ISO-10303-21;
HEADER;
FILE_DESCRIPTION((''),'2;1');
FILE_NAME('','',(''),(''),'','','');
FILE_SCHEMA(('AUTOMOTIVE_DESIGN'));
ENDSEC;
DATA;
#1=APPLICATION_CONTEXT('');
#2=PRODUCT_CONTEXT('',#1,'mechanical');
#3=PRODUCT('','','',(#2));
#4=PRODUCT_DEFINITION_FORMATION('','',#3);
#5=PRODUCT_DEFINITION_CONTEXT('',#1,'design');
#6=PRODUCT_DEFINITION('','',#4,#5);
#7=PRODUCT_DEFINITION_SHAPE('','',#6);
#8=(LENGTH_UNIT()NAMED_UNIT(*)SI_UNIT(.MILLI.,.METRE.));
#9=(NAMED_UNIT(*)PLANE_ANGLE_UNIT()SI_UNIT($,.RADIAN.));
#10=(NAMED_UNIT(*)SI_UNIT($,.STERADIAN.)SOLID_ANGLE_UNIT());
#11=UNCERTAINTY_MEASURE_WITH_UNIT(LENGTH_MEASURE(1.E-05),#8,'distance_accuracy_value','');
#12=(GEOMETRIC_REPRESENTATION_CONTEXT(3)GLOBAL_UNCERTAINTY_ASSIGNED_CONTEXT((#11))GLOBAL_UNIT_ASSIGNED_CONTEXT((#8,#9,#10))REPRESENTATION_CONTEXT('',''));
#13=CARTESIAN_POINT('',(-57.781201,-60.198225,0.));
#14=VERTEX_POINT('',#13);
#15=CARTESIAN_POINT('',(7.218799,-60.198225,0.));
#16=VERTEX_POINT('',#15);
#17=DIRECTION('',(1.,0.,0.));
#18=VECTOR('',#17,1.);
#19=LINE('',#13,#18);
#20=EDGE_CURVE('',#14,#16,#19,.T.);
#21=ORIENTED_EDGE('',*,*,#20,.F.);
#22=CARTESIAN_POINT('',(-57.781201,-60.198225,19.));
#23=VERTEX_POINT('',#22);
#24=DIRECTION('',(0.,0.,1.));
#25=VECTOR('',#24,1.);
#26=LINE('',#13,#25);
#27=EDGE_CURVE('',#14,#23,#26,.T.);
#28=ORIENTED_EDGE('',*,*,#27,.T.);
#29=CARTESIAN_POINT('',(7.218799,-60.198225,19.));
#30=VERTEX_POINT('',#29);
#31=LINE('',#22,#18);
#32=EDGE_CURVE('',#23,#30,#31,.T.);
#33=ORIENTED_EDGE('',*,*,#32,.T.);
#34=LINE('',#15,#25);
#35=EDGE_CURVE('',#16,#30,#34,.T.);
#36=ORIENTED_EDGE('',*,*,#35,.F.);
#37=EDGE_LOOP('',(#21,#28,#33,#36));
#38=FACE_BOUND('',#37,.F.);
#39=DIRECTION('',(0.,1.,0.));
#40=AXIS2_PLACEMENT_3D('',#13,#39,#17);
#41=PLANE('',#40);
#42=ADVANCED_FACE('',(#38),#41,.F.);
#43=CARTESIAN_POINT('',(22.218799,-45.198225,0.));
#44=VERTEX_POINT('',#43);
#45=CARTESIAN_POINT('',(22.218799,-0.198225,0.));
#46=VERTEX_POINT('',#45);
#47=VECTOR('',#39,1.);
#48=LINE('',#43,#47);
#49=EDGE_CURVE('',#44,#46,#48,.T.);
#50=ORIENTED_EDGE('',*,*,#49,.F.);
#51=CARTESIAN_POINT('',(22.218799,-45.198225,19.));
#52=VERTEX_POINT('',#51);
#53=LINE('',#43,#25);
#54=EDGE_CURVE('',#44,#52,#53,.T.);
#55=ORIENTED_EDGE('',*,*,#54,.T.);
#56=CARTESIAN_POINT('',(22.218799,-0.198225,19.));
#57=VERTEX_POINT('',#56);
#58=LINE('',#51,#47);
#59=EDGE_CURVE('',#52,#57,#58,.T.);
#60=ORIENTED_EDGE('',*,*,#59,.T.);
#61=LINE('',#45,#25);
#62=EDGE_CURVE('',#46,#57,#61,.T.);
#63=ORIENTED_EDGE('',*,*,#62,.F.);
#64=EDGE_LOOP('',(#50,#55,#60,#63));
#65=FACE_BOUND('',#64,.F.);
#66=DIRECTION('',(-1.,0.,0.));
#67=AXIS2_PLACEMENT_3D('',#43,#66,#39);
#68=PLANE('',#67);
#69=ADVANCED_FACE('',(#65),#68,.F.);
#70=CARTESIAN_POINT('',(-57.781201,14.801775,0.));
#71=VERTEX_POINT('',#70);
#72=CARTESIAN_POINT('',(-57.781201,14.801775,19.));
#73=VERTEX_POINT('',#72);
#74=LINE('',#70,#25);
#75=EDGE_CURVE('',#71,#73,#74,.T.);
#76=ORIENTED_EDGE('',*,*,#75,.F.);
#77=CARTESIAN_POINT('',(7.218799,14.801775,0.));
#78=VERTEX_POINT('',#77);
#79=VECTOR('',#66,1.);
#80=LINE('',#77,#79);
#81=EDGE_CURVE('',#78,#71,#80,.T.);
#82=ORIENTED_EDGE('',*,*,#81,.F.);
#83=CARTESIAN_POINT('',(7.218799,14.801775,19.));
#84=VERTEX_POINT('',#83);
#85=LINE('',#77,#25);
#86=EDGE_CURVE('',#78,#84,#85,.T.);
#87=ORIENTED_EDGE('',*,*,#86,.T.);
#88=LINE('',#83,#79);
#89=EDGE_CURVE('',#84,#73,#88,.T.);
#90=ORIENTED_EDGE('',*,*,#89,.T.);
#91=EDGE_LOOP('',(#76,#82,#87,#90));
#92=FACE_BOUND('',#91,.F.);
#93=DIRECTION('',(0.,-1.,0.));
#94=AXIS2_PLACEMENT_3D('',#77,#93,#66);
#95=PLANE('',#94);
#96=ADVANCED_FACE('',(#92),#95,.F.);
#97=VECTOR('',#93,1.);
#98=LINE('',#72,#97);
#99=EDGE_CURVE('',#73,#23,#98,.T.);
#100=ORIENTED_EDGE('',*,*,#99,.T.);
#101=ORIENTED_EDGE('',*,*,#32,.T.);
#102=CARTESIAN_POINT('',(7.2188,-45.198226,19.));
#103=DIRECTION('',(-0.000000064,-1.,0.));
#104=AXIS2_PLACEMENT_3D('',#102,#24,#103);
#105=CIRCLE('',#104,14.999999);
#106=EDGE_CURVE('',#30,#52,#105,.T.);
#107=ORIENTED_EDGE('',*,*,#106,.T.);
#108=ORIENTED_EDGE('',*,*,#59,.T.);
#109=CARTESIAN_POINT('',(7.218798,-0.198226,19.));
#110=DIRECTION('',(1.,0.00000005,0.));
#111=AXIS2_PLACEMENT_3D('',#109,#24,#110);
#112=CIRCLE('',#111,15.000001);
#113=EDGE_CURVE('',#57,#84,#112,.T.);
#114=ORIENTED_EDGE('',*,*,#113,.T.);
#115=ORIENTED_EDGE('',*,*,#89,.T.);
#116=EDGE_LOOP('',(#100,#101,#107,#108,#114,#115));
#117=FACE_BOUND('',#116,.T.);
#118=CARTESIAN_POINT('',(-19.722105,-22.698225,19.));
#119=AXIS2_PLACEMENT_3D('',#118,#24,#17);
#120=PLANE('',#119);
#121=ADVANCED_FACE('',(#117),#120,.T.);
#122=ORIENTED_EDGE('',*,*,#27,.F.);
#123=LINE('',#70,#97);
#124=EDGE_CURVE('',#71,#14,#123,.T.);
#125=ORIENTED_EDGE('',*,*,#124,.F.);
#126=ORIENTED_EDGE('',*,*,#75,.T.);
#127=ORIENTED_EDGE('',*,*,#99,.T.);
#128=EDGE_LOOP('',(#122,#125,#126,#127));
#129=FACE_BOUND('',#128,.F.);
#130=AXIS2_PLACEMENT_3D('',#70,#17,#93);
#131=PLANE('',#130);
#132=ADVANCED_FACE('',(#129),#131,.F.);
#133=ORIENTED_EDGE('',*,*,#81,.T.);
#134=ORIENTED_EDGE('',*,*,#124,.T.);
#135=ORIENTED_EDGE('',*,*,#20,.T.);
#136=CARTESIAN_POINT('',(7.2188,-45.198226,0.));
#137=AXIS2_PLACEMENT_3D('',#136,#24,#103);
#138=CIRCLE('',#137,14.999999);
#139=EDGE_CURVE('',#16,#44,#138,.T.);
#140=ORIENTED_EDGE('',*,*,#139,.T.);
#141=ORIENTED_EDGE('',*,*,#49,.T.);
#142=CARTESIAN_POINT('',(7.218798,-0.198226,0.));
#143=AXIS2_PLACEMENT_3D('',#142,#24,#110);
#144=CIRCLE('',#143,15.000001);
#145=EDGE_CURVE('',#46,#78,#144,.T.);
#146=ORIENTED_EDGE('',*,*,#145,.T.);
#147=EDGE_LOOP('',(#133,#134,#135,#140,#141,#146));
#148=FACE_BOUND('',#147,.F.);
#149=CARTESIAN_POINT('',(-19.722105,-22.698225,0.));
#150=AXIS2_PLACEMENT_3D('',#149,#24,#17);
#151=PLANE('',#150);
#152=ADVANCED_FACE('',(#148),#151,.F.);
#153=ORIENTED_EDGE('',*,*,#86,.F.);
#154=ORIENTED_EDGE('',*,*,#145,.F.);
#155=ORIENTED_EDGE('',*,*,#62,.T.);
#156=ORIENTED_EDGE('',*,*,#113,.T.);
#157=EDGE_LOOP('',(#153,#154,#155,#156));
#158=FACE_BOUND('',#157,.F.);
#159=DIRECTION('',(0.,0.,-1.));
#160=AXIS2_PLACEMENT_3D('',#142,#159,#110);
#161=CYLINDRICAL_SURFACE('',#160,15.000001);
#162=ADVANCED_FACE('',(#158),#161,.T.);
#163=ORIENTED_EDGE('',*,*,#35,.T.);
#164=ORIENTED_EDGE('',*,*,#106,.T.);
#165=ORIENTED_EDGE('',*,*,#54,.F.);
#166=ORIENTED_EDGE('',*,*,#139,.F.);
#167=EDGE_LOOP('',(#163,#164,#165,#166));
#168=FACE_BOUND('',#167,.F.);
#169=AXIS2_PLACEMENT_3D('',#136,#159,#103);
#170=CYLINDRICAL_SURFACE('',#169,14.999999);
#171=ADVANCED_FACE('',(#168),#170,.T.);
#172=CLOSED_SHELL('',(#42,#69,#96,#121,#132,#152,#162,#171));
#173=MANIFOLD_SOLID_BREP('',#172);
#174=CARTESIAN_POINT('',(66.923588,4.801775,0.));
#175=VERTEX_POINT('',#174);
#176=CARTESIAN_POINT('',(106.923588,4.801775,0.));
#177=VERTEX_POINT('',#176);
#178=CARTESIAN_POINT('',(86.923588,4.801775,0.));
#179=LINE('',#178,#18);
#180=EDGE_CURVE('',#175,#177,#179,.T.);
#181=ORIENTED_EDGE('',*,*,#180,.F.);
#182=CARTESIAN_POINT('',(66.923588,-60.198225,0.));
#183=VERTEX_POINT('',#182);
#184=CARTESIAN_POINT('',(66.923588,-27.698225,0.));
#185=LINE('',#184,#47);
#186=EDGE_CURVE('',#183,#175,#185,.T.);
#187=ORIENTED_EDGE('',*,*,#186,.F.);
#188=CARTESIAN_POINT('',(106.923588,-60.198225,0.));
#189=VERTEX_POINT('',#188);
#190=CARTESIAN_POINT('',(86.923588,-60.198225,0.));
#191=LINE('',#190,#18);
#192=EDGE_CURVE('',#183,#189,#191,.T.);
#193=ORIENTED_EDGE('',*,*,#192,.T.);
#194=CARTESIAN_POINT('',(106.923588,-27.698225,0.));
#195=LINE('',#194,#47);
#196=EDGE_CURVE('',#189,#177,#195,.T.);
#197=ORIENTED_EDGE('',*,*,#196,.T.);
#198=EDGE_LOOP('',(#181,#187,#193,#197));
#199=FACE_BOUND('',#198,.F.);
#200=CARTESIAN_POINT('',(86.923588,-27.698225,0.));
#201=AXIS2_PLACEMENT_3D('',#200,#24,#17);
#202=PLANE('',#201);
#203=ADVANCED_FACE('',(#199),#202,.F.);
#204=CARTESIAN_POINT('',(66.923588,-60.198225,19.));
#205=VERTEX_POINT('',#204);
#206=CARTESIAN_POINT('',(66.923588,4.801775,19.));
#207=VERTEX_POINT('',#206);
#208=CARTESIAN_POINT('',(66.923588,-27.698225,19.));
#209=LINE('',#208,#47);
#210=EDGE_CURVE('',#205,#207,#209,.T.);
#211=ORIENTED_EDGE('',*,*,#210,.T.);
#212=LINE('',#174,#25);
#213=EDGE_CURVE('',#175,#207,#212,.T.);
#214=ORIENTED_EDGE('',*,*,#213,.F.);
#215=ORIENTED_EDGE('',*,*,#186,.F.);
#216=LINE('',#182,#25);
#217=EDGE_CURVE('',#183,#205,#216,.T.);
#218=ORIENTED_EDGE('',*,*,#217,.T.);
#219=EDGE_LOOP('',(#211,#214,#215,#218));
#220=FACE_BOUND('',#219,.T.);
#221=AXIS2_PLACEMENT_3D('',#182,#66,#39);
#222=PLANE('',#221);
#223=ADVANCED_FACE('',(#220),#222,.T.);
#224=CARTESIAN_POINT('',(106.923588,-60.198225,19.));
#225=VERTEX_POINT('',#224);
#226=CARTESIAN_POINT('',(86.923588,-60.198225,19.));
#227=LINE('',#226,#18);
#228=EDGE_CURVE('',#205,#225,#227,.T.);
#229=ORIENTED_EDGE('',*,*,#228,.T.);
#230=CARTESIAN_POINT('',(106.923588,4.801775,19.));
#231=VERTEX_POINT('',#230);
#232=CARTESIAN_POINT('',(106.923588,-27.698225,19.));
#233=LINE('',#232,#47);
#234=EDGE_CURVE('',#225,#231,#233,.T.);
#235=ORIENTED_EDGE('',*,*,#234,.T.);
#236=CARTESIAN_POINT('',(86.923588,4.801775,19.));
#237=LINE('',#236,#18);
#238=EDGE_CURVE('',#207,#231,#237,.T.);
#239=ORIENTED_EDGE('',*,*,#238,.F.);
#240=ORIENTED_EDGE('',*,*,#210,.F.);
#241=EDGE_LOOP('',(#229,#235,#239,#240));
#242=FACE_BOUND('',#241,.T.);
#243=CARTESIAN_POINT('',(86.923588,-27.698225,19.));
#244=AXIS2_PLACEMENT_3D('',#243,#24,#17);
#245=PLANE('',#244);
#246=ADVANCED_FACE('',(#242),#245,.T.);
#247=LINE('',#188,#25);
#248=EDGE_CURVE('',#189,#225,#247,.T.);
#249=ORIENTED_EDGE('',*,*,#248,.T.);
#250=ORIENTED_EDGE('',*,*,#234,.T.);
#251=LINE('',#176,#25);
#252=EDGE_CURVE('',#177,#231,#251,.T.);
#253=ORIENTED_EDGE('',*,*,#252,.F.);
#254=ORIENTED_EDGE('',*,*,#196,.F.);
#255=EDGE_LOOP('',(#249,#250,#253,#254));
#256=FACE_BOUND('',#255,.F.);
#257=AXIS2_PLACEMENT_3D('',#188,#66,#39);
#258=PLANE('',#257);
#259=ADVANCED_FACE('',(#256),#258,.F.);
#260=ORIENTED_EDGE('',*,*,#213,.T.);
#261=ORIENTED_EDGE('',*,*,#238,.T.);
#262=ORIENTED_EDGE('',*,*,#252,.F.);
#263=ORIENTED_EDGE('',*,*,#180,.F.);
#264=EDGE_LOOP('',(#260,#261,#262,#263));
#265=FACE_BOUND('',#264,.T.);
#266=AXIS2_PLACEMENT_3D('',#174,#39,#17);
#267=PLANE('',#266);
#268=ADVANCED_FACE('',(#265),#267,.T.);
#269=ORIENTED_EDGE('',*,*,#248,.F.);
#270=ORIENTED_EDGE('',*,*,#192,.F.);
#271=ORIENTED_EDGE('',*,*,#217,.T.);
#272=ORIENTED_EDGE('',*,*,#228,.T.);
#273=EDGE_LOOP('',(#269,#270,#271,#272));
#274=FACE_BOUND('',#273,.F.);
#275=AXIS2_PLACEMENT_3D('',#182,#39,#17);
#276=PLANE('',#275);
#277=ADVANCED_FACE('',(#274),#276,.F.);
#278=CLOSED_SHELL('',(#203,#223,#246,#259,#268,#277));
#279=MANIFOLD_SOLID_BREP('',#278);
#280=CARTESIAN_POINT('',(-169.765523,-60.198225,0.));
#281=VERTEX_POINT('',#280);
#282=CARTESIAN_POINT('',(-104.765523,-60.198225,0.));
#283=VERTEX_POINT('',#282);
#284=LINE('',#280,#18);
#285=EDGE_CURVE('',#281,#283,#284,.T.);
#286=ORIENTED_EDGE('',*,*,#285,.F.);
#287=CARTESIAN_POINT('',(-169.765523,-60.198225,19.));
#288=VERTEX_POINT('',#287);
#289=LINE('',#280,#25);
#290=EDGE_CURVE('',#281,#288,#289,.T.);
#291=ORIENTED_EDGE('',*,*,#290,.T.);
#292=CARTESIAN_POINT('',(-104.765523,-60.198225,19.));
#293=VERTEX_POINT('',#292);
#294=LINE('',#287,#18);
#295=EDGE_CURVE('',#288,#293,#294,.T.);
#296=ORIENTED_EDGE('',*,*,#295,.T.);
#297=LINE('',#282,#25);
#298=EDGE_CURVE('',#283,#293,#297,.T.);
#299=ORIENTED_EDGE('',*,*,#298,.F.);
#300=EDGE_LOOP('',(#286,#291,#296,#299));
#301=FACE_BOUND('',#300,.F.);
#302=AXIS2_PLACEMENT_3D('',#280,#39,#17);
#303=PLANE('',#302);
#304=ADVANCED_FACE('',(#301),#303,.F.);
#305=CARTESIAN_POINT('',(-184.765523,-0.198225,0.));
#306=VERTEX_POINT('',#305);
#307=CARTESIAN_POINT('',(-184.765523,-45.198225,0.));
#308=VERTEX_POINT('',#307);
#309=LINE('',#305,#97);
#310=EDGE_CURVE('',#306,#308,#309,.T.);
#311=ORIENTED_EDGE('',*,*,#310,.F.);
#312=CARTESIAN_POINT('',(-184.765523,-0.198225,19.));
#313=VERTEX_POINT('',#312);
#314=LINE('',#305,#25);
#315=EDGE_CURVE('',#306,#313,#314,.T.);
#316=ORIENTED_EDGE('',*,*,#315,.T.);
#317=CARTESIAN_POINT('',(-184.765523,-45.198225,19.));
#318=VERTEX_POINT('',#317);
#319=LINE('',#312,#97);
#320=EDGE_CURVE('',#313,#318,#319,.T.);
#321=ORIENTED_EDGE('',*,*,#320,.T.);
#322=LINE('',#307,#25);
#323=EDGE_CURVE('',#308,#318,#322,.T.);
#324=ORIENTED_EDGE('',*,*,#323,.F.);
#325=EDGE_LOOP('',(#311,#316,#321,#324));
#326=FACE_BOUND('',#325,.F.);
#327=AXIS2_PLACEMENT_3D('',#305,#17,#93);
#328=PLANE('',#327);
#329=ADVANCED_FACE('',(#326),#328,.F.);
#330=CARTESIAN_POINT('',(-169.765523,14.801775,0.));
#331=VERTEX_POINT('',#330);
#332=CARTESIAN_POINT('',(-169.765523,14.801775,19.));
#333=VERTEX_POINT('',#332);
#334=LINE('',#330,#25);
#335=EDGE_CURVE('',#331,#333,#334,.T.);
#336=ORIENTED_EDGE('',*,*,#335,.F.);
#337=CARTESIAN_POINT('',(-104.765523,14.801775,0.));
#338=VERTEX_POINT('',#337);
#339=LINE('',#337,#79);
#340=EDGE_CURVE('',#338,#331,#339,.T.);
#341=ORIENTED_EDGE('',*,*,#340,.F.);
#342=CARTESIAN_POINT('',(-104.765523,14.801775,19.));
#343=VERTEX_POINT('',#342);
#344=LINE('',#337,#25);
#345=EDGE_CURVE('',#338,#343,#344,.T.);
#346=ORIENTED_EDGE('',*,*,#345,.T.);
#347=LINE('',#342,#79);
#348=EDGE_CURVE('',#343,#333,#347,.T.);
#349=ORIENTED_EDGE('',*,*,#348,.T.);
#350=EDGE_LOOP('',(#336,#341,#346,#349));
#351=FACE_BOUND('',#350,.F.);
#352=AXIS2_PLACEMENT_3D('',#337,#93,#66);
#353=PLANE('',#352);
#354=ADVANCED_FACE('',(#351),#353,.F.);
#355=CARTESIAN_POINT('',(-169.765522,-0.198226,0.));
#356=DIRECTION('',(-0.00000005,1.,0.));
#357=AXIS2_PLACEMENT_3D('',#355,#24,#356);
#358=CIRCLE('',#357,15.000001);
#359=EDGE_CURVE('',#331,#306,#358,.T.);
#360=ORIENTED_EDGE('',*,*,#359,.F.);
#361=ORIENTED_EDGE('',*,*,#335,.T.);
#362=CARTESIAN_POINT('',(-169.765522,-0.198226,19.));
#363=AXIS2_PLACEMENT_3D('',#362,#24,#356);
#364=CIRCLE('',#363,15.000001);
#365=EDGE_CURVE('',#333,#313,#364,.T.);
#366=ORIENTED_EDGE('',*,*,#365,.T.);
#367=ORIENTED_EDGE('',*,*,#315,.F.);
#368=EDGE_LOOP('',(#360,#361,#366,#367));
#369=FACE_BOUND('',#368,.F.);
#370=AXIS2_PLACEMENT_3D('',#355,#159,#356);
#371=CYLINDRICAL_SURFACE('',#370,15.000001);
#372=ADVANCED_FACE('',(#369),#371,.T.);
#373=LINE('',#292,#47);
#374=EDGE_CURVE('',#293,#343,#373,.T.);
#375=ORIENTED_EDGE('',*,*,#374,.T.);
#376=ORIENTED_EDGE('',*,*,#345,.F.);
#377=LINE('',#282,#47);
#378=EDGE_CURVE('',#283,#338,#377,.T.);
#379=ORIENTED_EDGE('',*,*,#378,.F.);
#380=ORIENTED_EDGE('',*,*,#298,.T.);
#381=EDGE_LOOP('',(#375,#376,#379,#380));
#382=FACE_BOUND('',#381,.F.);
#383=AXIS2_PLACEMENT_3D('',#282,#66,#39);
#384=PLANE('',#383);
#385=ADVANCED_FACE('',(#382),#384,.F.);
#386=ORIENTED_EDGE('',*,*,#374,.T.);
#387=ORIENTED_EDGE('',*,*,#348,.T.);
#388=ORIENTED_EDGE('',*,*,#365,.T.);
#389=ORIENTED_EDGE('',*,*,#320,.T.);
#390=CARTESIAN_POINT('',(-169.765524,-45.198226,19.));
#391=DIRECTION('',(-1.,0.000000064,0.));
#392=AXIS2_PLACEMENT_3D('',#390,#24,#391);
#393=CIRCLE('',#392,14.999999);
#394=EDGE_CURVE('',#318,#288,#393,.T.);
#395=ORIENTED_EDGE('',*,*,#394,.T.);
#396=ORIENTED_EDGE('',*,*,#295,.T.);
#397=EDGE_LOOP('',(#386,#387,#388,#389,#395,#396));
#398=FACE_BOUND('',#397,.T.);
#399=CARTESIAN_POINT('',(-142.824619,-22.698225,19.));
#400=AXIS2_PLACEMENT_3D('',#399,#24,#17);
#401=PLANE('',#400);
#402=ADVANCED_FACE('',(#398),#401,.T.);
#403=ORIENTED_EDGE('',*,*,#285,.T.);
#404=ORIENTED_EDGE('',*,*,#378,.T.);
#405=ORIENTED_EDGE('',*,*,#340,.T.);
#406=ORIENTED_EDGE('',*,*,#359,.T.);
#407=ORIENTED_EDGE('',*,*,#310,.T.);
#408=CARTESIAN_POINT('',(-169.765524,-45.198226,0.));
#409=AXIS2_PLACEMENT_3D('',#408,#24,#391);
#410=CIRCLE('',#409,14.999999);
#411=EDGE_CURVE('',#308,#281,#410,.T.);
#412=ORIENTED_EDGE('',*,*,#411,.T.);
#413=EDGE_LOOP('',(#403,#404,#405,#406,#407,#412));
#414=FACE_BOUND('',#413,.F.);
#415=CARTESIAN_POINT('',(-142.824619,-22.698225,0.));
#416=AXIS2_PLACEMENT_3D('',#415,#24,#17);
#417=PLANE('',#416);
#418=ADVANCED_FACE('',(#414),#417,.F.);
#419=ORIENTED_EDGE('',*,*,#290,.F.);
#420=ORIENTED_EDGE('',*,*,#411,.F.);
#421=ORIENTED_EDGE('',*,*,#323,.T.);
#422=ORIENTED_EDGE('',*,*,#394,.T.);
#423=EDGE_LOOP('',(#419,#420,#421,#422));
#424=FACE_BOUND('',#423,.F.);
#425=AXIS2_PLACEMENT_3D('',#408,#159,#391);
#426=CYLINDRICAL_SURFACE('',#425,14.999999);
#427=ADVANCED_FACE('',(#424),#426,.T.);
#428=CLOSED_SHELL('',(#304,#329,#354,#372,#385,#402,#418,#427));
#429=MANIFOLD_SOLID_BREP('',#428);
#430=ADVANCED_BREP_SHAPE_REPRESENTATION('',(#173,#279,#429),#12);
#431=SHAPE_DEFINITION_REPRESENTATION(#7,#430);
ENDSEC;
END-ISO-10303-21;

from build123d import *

# Parameters (mm, degrees)
F0_W     = 40
F0_H     = 65
F1_DEPTH = 19


with BuildPart() as f1:
    # F0 (on Top) → F1 (new body)
    with BuildSketch(Plane.XY):
        with BuildLine():
            Line((-104.765523, 14.801775), (-169.765523, 14.801775))
            ThreePointArc((-169.765523, 14.801775), (-180.372125, 10.408376), (-184.765523, -0.198225))
            Line((-184.765523, -0.198225), (-184.765523, -45.198225))
            ThreePointArc((-184.765523, -45.198225), (-180.372125, -55.804827), (-169.765523, -60.198225))
            Line((-169.765523, -60.198225), (-104.765523, -60.198225))
            Line((-104.765523, -60.198225), (-104.765523, 14.801775))
        make_face()
        with BuildLine():
            Line((7.218799, 14.801775), (-57.781201, 14.801775))
            Line((-57.781201, 14.801775), (-57.781201, -60.198225))
            Line((-57.781201, -60.198225), (7.218799, -60.198225))
            ThreePointArc((7.218799, -60.198225), (17.825401, -55.804827), (22.218799, -45.198225))
            Line((22.218799, -45.198225), (22.218799, -0.198225))
            ThreePointArc((22.218799, -0.198225), (17.825401, 10.408376), (7.218799, 14.801775))
        make_face()
        with Locations((86.923588, -27.698225)):
            Rectangle(F0_W, F0_H)
    extrude(amount=F1_DEPTH)


solid = f1.part
